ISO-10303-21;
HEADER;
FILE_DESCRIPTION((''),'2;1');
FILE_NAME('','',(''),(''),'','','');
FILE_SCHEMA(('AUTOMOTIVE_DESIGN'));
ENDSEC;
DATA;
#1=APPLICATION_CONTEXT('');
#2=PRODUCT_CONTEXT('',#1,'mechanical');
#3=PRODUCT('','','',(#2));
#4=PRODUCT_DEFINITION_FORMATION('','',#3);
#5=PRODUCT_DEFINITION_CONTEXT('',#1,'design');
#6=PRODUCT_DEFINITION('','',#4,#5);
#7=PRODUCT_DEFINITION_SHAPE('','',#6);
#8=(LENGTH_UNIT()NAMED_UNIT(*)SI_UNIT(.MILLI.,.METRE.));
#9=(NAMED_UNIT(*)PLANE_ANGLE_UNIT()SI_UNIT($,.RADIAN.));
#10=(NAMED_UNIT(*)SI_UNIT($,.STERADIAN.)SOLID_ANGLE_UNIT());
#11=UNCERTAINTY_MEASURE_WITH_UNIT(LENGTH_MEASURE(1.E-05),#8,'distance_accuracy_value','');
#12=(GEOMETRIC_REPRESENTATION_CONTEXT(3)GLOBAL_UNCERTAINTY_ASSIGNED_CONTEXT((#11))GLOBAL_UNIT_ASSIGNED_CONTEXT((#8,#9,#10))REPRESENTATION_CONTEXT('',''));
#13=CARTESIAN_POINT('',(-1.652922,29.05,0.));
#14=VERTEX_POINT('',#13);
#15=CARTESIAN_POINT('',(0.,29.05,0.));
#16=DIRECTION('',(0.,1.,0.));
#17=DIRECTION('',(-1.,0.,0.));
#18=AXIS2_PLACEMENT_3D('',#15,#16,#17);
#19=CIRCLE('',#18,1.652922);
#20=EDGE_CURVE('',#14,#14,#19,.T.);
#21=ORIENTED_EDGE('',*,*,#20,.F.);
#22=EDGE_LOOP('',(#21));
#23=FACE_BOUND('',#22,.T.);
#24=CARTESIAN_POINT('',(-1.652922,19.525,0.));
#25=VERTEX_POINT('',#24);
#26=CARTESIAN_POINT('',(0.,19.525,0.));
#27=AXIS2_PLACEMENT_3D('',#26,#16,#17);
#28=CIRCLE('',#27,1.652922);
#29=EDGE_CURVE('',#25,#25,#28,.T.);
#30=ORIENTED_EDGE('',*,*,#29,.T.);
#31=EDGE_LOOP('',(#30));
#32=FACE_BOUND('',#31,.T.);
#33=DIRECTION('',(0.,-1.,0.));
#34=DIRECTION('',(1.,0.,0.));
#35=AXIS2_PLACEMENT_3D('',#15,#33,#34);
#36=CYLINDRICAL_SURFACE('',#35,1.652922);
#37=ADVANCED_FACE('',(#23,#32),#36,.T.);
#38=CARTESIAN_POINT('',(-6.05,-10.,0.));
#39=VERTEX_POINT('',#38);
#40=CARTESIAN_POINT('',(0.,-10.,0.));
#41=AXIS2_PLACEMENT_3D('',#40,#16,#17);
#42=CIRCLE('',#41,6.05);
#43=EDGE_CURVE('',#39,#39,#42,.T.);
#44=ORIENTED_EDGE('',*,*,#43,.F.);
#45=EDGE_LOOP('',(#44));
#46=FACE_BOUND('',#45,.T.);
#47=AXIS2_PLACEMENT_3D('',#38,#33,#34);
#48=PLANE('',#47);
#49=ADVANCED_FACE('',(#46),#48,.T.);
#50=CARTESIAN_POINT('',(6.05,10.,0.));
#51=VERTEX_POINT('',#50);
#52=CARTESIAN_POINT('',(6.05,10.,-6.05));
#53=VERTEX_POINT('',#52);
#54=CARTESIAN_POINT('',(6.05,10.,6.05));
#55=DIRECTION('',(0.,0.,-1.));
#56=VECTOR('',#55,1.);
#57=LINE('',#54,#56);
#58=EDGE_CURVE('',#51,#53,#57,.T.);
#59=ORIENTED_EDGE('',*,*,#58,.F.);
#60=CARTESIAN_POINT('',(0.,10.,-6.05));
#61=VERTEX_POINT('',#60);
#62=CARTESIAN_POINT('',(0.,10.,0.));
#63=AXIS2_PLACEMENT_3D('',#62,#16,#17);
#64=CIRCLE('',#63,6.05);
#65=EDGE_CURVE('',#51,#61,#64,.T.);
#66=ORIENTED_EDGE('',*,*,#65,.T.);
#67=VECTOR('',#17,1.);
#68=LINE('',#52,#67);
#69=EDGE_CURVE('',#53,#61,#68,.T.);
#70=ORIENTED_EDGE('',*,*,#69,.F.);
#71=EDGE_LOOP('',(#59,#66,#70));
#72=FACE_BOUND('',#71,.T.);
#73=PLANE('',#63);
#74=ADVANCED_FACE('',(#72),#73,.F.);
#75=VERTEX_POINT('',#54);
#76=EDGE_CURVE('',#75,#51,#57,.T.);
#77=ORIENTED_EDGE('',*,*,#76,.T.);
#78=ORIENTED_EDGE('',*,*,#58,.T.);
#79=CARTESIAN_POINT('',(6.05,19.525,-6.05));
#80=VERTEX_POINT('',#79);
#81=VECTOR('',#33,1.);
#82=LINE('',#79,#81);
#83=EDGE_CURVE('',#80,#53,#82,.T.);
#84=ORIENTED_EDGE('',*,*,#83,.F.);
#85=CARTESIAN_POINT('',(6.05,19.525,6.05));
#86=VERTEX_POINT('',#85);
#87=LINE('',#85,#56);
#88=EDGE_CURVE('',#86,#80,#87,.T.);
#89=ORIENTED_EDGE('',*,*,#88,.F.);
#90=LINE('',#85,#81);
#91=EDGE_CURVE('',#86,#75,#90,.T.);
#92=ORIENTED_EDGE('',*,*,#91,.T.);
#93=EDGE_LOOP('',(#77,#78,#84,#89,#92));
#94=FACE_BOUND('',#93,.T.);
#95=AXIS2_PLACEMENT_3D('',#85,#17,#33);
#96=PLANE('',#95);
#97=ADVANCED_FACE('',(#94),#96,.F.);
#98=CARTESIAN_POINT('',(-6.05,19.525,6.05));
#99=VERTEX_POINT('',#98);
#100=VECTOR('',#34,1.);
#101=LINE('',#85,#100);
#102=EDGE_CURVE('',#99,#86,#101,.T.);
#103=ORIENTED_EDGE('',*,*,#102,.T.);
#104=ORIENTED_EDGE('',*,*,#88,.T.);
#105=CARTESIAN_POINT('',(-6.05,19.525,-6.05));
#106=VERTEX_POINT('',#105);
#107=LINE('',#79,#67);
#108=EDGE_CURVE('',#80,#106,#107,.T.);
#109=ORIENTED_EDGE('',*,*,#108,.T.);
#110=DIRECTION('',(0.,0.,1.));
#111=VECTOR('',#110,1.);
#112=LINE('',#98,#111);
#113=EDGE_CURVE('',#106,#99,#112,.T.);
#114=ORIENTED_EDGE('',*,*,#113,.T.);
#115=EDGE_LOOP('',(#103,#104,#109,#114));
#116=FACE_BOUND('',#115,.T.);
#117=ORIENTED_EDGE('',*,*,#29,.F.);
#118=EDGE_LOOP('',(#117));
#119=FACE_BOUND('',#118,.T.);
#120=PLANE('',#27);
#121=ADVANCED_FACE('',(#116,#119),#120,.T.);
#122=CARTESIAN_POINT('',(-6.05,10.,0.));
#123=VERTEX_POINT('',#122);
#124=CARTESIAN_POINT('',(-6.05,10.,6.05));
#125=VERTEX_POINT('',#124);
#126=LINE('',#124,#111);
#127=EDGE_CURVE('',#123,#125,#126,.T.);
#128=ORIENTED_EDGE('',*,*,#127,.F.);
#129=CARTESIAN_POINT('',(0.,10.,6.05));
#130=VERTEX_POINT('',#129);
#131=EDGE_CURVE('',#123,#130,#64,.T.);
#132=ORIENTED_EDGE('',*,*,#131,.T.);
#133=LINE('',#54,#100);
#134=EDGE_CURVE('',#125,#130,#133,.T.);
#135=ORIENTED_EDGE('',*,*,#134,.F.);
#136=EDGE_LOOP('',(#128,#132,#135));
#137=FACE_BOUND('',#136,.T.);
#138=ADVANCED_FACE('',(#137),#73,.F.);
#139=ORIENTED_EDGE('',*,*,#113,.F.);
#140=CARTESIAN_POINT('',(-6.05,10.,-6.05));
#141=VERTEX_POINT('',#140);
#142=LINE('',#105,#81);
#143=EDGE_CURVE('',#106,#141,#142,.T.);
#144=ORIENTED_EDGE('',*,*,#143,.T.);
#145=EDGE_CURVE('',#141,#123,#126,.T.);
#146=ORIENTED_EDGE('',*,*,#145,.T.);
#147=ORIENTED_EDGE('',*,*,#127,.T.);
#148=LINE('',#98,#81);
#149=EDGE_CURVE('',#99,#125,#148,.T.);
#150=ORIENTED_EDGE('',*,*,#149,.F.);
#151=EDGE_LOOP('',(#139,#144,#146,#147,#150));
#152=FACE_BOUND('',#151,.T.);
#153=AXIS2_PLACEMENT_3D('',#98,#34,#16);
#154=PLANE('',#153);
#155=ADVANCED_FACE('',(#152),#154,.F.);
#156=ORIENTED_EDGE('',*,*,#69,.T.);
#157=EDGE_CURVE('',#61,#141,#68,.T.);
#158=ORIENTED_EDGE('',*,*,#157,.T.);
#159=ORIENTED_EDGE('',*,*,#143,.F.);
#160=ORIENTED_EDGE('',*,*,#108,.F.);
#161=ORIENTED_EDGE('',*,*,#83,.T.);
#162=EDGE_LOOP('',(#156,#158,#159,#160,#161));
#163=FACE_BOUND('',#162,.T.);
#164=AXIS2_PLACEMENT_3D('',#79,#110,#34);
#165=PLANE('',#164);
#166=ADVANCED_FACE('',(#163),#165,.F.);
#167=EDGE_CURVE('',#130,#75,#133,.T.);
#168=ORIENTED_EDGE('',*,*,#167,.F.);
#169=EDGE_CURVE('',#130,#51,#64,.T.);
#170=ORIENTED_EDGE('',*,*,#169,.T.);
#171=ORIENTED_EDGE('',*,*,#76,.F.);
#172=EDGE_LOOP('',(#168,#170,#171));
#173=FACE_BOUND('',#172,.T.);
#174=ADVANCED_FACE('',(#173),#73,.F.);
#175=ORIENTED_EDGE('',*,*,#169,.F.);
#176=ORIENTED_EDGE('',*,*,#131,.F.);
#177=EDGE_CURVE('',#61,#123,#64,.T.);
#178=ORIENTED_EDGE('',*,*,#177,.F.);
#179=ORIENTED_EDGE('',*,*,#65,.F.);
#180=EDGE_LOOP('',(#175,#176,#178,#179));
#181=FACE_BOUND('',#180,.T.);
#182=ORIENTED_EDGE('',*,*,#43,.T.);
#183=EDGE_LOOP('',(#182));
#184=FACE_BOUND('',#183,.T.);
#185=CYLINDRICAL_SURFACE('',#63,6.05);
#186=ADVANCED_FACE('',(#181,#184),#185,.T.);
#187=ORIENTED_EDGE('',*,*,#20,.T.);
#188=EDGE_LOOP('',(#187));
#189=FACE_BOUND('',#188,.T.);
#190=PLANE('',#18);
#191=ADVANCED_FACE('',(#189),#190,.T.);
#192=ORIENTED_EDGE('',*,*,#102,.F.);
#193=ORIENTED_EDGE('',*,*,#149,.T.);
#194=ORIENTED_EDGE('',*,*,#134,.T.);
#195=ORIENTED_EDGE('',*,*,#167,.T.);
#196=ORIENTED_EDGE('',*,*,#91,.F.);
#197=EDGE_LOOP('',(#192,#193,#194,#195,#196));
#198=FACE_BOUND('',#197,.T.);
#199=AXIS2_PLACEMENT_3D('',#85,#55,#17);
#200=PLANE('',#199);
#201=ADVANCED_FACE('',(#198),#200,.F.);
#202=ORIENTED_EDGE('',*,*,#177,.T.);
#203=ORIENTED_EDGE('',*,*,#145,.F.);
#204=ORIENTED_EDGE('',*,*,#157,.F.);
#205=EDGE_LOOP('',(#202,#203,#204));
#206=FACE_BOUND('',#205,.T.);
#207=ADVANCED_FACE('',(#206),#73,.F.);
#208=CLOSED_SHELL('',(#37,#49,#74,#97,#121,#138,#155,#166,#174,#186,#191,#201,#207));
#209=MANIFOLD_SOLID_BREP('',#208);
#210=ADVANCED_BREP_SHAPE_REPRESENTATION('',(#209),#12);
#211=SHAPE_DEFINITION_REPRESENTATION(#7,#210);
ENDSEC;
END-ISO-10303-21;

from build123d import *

# Parameters (mm, degrees)
SKETCH1_W           = 6.05
SKETCH1_H           = 20
SKETCH2_W           = 12.1
SKETCH2_H           = 12.1
BOSS_EXTRUDE1_DEPTH = 9.525
SKETCH3_R           = 1.652922186
BOSS_EXTRUDE2_DEPTH = 9.525


with BuildPart() as part:
    # Sketch1 → Revolve1 (revolve)
    with BuildSketch(Plane.XY):
        with Locations((-3.025, 0)):
            Rectangle(SKETCH1_W, SKETCH1_H)
    revolve(axis=Axis((0, 10, 0), (0, -1, 0)))

    # Sketch2 → Boss-Extrude1 (add)
    with BuildSketch(Plane(origin=(0, 10, 0), x_dir=(1, 0, 0), z_dir=(0, 1, 0))):
        Rectangle(SKETCH2_W, SKETCH2_H)
    extrude(amount=BOSS_EXTRUDE1_DEPTH)

    # Sketch3 → Boss-Extrude2 (add)
    with BuildSketch(Plane(origin=(0, 19.525, 0), x_dir=(1, 0, 0), z_dir=(0, 1, 0))):
        Circle(SKETCH3_R)
    extrude(amount=BOSS_EXTRUDE2_DEPTH)


solid = part.part
